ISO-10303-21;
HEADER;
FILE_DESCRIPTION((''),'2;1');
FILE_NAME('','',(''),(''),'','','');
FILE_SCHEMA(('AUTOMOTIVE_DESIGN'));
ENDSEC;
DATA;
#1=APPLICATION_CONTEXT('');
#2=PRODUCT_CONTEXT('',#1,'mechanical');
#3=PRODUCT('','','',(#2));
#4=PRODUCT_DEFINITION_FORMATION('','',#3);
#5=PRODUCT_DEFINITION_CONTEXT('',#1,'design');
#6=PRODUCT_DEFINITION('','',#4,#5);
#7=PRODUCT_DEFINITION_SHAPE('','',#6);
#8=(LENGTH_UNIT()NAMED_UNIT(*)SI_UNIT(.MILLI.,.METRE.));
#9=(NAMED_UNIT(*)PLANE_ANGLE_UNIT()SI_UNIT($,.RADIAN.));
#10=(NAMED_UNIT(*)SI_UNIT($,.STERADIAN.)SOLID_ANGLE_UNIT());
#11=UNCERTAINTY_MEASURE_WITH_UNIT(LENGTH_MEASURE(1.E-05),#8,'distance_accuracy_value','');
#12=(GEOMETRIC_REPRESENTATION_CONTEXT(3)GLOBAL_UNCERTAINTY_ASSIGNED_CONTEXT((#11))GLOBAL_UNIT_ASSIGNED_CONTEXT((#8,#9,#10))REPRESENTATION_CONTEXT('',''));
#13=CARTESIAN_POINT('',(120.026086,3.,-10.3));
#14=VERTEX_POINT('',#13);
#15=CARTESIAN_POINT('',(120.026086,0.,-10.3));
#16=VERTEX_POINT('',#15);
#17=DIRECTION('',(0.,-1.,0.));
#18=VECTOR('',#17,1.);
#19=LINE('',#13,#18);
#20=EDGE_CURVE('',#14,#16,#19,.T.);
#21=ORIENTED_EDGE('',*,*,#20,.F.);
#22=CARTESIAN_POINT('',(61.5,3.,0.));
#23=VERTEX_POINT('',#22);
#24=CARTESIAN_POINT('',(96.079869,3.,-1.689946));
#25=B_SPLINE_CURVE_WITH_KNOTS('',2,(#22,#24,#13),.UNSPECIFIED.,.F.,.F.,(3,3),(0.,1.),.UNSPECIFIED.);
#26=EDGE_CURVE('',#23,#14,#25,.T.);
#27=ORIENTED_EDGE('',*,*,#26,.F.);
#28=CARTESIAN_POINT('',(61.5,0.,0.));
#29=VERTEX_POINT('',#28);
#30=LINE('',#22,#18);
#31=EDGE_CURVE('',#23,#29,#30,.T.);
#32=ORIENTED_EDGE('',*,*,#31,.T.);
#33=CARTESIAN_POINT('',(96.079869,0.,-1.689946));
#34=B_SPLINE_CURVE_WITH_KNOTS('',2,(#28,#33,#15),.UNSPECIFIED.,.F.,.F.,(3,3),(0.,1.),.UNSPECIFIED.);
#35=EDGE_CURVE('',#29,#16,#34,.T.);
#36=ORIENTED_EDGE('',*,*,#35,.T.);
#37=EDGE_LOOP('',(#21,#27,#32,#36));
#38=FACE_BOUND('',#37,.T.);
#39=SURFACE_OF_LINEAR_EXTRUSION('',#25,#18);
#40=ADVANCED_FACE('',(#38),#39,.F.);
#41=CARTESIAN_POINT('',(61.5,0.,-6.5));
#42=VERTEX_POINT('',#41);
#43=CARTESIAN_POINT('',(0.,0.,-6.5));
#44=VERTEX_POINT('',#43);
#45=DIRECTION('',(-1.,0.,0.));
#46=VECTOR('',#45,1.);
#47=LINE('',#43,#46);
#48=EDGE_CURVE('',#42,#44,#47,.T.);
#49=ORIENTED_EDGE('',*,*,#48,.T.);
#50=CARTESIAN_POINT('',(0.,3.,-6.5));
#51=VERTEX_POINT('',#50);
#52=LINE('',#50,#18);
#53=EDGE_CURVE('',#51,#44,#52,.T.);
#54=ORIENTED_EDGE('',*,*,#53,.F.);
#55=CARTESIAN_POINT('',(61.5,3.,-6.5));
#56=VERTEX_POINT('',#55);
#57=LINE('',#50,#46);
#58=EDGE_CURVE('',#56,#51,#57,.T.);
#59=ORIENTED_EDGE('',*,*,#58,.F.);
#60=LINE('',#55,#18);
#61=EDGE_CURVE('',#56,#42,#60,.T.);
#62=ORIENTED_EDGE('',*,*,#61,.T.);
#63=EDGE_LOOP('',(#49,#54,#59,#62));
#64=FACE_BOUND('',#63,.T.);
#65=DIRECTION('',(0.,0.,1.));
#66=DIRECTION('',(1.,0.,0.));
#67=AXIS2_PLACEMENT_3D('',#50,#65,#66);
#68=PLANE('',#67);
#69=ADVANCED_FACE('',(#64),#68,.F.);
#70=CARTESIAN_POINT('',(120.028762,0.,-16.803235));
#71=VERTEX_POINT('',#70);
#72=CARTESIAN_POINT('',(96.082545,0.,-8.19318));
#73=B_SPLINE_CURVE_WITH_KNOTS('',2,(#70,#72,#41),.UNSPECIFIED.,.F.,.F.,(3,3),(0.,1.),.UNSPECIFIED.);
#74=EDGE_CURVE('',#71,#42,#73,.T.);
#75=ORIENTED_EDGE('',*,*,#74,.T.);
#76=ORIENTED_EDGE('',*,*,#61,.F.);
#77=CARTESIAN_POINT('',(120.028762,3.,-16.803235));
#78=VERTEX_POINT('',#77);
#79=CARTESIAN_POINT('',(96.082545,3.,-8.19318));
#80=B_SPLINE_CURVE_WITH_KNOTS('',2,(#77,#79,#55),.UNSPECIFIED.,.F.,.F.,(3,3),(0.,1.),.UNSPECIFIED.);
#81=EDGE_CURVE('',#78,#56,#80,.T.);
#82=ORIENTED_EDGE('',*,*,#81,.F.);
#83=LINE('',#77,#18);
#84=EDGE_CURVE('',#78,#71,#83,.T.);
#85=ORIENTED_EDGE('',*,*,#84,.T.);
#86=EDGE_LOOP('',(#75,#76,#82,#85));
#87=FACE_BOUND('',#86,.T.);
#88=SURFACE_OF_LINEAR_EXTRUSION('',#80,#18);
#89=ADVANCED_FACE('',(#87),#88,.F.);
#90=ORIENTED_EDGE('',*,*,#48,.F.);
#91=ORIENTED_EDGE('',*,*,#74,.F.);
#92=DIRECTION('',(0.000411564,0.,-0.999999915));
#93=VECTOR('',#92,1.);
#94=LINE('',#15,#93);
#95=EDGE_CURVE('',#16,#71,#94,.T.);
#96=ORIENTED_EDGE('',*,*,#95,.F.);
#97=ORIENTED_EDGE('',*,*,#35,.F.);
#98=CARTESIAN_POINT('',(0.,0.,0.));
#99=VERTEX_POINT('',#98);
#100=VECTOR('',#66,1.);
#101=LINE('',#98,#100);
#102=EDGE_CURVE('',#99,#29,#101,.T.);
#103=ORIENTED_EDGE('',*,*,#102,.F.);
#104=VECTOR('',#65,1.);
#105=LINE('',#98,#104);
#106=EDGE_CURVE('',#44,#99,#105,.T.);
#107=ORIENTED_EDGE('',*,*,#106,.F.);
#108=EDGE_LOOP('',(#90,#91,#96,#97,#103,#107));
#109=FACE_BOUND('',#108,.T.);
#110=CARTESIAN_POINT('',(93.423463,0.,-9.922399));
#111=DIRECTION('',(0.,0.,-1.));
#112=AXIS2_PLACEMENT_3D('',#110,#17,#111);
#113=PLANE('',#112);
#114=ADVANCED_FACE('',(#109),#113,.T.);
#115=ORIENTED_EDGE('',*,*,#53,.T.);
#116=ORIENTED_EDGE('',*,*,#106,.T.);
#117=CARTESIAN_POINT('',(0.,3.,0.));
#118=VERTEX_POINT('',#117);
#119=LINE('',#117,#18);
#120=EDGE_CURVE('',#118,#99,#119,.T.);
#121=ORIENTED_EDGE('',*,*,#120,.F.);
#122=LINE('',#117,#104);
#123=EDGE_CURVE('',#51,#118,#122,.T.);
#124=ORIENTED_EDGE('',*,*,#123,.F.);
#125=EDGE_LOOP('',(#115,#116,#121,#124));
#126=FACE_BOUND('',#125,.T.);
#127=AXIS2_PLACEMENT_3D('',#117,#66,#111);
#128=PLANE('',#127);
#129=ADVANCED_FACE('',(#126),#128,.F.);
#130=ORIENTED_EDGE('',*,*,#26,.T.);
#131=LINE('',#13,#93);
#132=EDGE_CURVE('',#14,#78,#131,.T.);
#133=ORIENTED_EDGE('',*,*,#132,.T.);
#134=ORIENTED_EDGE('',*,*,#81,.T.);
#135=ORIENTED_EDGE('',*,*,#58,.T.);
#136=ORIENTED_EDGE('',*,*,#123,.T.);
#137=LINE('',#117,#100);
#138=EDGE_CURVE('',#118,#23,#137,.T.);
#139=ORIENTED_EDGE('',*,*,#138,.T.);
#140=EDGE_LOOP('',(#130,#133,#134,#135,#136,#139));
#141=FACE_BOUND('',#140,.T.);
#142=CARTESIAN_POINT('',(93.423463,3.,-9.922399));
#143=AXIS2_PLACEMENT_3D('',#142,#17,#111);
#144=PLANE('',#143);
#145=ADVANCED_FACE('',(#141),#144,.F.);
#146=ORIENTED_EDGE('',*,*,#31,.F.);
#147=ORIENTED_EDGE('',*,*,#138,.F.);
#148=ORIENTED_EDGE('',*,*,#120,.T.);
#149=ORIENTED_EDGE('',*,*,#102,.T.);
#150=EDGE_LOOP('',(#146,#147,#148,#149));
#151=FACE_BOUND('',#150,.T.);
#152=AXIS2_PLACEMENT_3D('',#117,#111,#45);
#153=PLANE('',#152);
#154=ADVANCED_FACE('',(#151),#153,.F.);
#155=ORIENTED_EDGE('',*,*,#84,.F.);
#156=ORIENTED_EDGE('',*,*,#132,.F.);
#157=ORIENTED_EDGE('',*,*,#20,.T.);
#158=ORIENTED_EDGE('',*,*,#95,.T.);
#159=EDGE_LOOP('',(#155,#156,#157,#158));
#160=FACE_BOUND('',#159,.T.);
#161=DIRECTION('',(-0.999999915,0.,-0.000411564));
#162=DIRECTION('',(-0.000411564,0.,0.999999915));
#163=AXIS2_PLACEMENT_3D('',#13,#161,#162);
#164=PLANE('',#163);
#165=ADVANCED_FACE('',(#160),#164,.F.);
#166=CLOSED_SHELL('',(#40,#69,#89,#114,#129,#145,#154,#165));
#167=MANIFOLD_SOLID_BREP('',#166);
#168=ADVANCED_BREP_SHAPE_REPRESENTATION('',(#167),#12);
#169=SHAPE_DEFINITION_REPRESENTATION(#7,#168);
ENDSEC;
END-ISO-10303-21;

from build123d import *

# Parameters (mm, degrees)
BOSS_EXTRUDE1_DEPTH = 3


with BuildPart() as part:
    # Sketch1 → Boss-Extrude1 (new body)
    with BuildSketch(Plane(origin=(0, 0, 0), x_dir=(1, 0, 0), z_dir=(0, 1, 0))):
        with BuildLine():
            Line((0, 0), (61.5, 0))
            add(Edge.make_bspline(
                [(61.5, 0), (96.079868576, 1.689945504), (120.026085552, 10.3)],
                knots=[0, 0, 0, 1, 1, 1], degree=2))
            Line((120.026085552, 10.3), (120.028762053, 16.803234674))
            add(Edge.make_bspline(
                [(61.5, 6.5), (96.082545077, 8.193180177), (120.028762053, 16.803234674)],
                knots=[0, 0, 0, 1, 1, 1], degree=2))
            Line((61.5, 6.5), (0, 6.5))
            Line((0, 6.5), (0, 0))
        make_face()
    extrude(amount=BOSS_EXTRUDE1_DEPTH)


solid = part.part
